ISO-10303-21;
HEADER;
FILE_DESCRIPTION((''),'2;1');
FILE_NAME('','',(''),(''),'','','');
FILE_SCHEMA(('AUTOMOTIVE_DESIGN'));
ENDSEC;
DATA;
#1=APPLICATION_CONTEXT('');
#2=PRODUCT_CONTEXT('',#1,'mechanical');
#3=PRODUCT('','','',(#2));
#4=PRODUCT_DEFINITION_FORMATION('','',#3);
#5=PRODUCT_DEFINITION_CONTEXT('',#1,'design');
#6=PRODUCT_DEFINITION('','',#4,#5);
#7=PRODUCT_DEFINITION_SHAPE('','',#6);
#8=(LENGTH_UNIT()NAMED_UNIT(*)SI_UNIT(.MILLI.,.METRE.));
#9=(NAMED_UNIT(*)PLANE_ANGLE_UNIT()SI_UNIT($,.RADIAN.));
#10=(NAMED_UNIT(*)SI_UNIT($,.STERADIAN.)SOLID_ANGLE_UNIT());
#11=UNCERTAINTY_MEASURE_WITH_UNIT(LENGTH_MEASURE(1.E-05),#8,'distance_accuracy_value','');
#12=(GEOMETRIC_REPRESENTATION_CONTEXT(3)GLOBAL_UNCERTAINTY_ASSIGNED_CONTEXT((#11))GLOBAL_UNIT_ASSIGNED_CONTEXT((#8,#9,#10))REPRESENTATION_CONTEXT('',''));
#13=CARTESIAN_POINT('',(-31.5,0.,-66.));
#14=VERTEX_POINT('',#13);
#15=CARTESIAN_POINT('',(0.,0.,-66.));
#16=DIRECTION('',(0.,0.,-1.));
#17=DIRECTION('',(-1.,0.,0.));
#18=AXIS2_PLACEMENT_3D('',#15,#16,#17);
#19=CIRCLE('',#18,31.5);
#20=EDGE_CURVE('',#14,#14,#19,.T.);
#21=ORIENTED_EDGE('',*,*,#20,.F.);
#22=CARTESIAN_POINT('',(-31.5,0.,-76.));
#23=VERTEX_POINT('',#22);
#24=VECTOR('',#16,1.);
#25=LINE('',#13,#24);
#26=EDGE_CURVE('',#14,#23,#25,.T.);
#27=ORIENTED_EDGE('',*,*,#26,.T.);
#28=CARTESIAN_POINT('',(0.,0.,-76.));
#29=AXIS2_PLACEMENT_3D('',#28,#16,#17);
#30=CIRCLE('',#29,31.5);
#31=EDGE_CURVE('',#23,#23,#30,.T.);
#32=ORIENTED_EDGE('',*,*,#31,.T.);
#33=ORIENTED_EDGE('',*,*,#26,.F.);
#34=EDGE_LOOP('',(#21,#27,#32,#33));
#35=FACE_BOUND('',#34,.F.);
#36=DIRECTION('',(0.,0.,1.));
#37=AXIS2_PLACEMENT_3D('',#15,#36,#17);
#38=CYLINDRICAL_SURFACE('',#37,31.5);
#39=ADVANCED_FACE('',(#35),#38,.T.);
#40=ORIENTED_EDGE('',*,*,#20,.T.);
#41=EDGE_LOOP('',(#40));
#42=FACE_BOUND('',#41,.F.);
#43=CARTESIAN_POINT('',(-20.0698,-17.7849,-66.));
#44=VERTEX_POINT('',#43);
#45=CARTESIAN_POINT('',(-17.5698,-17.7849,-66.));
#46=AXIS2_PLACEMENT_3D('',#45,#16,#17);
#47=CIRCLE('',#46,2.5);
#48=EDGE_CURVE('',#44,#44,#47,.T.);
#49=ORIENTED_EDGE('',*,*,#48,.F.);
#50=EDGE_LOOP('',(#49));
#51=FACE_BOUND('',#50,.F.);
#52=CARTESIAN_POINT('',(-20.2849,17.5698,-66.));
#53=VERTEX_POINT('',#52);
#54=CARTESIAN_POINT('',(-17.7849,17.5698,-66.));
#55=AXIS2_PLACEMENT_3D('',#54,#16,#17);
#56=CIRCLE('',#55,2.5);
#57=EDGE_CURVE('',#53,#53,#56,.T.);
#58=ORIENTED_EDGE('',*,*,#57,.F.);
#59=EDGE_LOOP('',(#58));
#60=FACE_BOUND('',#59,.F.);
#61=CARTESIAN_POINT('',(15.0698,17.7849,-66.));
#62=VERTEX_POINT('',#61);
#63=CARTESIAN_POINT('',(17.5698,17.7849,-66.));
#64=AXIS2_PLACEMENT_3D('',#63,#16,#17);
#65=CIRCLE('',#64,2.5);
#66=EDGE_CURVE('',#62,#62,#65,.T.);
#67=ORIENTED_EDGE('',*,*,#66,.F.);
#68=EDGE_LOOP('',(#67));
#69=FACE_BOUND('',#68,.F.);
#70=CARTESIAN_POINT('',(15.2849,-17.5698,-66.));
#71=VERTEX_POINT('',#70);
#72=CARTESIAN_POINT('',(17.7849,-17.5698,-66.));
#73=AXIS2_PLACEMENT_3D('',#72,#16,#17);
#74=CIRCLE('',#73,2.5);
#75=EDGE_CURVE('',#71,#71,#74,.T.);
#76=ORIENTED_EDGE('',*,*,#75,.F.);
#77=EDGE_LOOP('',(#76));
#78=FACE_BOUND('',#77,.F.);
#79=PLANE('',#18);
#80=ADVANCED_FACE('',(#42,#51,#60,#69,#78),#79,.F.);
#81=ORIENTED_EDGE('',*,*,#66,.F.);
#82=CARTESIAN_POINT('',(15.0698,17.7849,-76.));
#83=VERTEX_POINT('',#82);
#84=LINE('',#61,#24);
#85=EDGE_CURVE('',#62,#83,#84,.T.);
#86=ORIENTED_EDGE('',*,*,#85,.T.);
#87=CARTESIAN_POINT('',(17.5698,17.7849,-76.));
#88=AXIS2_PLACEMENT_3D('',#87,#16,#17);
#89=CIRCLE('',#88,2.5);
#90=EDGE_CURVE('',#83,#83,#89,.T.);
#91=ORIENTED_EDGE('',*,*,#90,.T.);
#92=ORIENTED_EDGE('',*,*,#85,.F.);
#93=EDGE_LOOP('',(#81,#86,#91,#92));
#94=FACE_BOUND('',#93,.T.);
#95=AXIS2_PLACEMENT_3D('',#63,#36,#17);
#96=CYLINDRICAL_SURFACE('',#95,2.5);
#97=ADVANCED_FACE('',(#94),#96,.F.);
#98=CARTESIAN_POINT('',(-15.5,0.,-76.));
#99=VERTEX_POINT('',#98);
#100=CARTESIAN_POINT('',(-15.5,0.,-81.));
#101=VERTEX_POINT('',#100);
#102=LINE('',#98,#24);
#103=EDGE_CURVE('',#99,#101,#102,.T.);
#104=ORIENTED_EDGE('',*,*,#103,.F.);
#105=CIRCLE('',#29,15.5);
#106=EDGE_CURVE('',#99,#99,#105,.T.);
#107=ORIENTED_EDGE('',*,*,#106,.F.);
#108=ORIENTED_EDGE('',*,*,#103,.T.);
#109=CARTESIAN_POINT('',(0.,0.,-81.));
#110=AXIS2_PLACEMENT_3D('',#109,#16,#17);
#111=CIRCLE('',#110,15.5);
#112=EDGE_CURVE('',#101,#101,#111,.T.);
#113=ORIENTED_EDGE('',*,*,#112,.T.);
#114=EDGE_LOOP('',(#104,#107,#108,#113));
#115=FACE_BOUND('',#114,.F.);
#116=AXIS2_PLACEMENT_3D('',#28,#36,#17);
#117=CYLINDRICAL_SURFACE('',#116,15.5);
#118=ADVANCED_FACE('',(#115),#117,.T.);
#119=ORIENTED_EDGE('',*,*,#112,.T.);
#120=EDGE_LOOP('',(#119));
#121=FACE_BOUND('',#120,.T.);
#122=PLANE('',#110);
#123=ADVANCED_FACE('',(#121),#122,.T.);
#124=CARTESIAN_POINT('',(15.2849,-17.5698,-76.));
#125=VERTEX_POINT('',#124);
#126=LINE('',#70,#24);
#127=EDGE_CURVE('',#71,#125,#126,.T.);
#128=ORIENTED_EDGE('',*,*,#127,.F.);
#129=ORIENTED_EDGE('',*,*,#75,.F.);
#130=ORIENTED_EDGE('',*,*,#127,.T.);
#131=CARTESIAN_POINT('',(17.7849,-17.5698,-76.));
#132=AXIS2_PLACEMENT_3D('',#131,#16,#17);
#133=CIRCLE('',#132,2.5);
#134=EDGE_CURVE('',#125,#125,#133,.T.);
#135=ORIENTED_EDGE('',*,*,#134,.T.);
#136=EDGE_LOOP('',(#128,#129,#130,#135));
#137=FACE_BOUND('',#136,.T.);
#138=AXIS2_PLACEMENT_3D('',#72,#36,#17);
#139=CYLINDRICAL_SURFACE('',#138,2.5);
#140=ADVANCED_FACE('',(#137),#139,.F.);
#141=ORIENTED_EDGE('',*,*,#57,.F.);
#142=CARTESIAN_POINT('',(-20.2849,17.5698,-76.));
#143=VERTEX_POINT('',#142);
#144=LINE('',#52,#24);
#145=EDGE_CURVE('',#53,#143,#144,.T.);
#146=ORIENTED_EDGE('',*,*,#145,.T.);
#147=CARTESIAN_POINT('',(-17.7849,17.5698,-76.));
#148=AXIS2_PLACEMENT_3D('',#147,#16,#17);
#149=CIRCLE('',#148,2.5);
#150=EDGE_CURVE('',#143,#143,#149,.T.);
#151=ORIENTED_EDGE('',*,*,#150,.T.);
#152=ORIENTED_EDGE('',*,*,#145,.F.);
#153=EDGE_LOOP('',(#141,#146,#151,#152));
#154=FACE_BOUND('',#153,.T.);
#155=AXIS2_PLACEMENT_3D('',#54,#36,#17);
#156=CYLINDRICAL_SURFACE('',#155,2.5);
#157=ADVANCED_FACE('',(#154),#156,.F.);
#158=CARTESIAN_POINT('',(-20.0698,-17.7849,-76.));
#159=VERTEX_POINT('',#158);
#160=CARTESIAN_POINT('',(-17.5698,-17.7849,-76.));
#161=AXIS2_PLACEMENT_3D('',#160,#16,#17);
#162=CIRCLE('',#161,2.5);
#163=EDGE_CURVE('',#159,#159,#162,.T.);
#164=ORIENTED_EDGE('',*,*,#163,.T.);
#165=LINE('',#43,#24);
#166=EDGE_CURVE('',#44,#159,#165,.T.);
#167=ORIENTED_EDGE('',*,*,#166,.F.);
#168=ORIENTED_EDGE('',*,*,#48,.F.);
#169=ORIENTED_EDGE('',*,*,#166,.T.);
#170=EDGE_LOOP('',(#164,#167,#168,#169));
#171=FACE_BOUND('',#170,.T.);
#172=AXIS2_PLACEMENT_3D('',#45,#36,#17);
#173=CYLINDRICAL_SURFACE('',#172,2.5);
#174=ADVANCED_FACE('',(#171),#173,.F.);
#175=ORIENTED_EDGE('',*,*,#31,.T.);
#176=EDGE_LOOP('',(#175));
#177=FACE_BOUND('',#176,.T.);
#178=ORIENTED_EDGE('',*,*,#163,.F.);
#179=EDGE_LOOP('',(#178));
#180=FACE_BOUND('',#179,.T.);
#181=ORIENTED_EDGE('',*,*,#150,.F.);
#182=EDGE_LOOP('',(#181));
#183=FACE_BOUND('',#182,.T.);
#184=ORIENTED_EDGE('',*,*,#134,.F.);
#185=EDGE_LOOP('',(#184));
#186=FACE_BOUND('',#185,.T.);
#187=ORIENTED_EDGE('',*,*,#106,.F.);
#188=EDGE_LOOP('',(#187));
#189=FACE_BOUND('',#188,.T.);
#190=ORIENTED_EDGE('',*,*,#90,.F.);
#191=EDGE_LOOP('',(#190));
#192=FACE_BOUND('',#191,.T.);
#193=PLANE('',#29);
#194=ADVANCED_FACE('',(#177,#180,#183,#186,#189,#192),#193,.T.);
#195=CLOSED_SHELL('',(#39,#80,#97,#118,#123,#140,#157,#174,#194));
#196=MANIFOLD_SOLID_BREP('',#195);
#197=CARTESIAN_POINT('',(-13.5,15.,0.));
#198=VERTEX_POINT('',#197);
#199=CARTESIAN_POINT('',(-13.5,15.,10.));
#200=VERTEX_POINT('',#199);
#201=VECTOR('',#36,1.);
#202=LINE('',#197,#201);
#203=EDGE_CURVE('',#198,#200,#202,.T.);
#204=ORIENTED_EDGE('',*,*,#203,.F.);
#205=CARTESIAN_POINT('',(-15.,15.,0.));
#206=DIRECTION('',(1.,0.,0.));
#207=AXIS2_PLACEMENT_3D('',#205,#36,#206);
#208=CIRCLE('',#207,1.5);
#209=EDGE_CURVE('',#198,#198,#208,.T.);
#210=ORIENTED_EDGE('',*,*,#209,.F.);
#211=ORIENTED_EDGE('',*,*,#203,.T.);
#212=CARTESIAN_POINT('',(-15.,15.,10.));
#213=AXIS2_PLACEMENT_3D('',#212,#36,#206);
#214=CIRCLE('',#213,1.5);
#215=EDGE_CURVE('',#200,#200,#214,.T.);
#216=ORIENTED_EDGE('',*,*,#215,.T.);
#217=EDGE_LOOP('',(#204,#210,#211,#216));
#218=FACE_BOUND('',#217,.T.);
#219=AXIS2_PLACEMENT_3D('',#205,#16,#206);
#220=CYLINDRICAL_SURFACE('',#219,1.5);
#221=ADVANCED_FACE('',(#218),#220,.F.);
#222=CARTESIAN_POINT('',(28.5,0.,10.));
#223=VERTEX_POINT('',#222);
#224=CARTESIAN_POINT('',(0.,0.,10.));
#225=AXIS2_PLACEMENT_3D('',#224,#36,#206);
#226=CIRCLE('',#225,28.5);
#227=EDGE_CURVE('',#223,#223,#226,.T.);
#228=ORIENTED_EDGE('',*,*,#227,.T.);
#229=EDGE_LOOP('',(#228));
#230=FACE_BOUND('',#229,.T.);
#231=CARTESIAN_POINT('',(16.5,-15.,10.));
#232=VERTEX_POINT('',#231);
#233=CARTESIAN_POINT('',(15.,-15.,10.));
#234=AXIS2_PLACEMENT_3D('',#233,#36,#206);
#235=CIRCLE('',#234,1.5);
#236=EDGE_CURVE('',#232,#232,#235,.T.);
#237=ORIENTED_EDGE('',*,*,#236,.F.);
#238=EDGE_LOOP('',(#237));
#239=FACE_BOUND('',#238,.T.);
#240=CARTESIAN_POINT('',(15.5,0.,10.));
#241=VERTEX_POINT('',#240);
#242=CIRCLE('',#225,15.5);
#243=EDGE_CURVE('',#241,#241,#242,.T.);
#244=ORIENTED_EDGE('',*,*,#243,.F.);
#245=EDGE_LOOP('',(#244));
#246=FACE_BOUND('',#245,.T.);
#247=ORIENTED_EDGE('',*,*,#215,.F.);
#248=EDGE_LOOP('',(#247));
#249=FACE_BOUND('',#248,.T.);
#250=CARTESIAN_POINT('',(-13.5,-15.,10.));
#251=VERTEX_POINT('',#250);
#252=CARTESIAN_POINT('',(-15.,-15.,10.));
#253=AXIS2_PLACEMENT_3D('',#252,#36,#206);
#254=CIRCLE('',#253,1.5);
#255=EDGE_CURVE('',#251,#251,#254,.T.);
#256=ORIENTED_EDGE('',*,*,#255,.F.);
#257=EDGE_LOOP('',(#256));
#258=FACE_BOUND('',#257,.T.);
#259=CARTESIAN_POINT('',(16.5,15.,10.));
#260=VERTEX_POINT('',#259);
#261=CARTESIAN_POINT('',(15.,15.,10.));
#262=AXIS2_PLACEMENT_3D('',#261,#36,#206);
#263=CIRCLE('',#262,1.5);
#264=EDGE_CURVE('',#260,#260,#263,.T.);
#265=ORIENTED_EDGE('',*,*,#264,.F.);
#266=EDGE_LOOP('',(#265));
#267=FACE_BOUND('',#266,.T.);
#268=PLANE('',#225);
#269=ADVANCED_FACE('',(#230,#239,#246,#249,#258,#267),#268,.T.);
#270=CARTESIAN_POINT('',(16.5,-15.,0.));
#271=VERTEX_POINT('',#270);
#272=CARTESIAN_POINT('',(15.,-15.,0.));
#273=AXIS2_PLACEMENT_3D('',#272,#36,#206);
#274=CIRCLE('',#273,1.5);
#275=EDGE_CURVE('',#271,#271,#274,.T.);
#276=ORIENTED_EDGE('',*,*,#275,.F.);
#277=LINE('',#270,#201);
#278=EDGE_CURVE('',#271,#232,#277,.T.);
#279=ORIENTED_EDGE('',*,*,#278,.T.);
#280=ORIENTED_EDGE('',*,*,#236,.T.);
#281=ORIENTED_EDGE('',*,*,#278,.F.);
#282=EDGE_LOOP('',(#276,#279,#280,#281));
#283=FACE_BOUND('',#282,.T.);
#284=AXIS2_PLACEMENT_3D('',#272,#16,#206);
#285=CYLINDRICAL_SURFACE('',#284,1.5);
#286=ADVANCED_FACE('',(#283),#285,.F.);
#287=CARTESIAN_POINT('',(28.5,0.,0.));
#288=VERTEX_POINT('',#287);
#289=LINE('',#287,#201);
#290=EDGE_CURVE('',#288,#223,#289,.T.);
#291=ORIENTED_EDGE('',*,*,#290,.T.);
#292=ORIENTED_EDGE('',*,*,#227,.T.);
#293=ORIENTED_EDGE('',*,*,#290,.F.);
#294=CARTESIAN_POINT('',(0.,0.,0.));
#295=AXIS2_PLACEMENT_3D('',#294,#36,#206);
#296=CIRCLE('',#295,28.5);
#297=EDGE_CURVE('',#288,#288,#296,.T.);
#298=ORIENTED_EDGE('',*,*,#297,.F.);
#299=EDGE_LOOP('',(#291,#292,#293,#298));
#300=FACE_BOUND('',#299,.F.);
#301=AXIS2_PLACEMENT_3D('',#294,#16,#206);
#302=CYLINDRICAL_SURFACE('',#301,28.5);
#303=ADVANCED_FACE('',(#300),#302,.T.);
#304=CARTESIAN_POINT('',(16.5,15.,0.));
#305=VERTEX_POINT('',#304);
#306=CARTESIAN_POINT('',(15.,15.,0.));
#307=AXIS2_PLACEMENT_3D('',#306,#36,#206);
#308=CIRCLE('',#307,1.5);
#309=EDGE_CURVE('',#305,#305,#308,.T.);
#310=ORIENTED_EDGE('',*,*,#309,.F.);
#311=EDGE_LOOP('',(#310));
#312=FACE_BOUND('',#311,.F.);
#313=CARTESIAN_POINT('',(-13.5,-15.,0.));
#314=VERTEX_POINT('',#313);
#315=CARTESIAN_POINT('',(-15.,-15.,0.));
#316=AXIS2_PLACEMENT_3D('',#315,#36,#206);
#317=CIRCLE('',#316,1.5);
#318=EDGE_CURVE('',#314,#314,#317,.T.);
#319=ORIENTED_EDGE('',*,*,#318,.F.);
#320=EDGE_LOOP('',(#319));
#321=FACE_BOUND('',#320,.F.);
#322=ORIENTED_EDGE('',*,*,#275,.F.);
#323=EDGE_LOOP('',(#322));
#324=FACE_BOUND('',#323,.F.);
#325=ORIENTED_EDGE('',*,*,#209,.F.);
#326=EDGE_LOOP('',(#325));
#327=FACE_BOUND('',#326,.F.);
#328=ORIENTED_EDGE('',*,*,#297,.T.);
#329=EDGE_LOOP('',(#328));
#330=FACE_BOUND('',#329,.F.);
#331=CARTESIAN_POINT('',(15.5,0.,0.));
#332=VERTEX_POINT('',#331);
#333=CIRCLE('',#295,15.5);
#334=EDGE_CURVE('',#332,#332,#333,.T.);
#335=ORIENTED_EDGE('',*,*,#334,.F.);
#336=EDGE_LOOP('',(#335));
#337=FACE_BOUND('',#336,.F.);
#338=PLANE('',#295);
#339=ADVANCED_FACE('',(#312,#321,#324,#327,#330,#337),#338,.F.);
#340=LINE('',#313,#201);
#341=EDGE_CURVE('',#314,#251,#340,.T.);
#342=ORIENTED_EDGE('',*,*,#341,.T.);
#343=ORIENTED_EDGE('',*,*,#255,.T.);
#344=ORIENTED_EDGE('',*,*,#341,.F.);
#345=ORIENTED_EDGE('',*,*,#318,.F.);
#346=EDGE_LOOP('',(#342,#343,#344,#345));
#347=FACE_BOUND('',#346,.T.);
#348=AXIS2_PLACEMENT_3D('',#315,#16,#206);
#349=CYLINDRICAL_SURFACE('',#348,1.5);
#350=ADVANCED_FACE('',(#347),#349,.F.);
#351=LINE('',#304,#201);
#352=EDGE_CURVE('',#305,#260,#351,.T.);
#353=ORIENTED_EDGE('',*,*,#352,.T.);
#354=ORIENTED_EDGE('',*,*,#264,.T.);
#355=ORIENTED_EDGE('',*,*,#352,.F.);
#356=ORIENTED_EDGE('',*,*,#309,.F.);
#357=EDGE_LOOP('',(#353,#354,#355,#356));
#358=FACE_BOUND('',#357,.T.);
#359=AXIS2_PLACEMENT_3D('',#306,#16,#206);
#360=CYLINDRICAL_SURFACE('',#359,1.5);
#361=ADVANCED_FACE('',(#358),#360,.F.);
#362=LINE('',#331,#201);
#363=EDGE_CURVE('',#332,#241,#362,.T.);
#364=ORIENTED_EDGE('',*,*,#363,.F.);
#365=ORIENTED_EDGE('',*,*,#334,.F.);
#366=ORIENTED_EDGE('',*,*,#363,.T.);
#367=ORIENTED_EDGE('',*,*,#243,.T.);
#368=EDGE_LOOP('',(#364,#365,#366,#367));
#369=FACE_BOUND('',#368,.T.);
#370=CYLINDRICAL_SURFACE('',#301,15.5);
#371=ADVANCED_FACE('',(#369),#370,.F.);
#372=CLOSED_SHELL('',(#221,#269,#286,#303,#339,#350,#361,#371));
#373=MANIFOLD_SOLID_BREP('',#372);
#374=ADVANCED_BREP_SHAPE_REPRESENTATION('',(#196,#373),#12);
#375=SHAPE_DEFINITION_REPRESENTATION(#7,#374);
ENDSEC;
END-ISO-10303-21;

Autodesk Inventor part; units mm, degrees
ref_plane "YZ Plane" through (0, 0, 0) normal (1, 0, 0) x (0, 1, 0)
ref_plane "XZ Plane" through (0, 0, 0) normal (0, 1, 0) x (-1, 0, 0)
ref_plane "XY Plane" through (0, 0, 0) normal (0, 0, 1) x (1, 0, 0)
sketch "Sketch1" plane through (0, 0, 0) normal (0, 0, 1) x (1, 0, 0)
  circle A0 centre (0, 0) radius 28.5
  circle A1 centre (0, 0) radius 15.5
  circle A2 centre (-15, 15) radius 1.5
  circle A3 centre (15, 15) radius 1.5
  circle A4 centre (15, -15) radius 1.5
  circle A5 centre (-15, -15) radius 1.5
  dimension "d0" = 57
  dimension "d1" = 31
  dimension "d6" = 3
  dimension "d7" = 3
  dimension "d8" = 3
  dimension "d9" = 3
extrude "Extrusion1" add sketch "Sketch1" along normal blind 10
ref_plane "Work Plane14" through (0, 0, -66) normal (0, 0, -1) x (-1, 0, 0)
sketch "Sketch2" plane through (0, 0, -66) normal (0, 0, -1) x (-1, 0, 0)
  circle A0 centre (0, 0) radius 31.5
  circle A1 centre (0, 0) radius 16.75
  circle A2 centre (17.7849, 17.5698) radius 2.5
  circle A3 centre (-17.5698, 17.7849) radius 2.5
  circle A4 centre (-17.7849, -17.5698) radius 2.5
  circle A5 centre (17.5698, -17.7849) radius 2.5
  dimension "d13" = 63
  dimension "d14" = 33.5
  dimension "d16" = 5
  dimension "d19" = 360
extrude "Extrusion2" add sketch "Sketch2" along normal blind 10
sketch "Sketch3" plane through (0, 0, 10) normal (0, 0, 1) x (1, 0, 0)
  point P0 (0, 0)
ref_plane "Work Plane28" through (0, 0, -66) normal (0, 0, -1) x (-1, 0, 0)
sketch "Sketch4" plane through (0, 0, -66) normal (0, 0, -1) x (-1, 0, 0)
  circle A0 centre (0, 0) radius 16.75
  dimension "d23" = 33.5
extrude "Extrusion3" add sketch "Sketch4" along normal blind 10
ref_plane "Work Plane27" through (0, 0, -76) normal (0, 0, -1) x (-1, 0, 0)
sketch "Sketch5" plane through (0, 0, -76) normal (0, 0, -1) x (-1, 0, 0)
  circle A0 centre (0, 0) radius 15.5
  dimension "d26" = 31
extrude "Extrusion4" add sketch "Sketch5" along normal blind 5
sketch "Sketch12" plane through (0, 0, 10) normal (0, 0, 1) x (1, 0, 0)
  point P0 (0, 0)
properties part number "LightBracket"
